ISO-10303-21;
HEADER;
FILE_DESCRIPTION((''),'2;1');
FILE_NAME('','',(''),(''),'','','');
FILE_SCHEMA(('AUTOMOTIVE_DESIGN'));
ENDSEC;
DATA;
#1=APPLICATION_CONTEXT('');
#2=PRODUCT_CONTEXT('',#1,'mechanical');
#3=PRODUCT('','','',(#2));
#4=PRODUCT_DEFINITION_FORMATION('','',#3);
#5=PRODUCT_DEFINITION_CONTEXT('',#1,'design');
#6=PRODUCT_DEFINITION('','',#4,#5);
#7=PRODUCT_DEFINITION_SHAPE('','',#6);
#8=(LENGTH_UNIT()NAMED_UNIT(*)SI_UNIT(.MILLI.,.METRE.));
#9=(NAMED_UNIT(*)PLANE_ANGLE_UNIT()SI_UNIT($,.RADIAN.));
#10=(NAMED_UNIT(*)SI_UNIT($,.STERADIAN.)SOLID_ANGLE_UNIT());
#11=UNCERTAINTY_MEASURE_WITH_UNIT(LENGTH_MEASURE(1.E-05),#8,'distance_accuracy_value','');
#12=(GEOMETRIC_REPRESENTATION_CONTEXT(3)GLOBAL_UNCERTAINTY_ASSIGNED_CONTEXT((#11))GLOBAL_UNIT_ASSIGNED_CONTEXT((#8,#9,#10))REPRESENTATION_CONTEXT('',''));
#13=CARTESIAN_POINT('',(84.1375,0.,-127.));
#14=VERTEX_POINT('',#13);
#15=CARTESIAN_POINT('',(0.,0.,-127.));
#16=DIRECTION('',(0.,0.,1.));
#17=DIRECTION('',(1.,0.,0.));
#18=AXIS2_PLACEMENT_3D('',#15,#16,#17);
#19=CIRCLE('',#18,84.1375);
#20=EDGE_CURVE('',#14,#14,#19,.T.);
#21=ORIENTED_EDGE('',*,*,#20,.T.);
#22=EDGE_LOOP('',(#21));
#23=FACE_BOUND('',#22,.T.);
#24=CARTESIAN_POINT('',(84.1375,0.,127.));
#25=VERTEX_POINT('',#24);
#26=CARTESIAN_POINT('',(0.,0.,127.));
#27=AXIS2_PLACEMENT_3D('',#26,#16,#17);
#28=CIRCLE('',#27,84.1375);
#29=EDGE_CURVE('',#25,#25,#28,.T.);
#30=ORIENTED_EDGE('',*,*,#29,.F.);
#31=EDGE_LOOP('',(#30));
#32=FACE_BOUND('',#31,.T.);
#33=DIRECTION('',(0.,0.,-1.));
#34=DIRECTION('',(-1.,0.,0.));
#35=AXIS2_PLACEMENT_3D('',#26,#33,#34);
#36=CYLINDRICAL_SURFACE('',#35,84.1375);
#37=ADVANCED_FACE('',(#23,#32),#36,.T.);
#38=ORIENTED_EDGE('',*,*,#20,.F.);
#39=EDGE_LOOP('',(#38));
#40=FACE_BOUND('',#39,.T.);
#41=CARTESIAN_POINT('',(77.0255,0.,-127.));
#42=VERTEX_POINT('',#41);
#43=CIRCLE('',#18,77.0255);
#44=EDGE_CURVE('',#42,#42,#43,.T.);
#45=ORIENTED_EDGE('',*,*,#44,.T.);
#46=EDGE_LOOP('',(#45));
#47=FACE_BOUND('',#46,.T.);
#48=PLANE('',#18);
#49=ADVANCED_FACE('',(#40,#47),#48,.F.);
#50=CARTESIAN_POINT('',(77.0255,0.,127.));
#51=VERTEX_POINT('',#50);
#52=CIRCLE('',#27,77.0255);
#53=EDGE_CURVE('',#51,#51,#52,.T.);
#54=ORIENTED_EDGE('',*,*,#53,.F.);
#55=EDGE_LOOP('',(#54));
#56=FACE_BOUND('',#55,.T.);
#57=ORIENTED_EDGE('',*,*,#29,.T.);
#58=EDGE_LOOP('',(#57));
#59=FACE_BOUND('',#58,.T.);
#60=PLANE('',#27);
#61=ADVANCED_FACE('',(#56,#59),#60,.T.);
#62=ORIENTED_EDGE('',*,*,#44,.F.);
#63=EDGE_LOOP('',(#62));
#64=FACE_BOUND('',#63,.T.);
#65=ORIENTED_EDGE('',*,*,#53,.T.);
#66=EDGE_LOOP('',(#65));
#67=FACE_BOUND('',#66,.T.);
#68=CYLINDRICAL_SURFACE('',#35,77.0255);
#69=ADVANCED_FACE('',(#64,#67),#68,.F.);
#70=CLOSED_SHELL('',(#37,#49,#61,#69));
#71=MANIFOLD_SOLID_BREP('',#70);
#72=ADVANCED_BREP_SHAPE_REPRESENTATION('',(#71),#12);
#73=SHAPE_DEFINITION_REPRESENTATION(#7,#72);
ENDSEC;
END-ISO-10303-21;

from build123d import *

# Parameters (mm, degrees)
SKETCH1_R      = 84.1375
SKETCH1_R_2    = 77.0255
BASEPIPE_DEPTH = 127


with BuildPart() as part:
    # Sketch1 → BasePipe (new, symmetric)
    with BuildSketch(Plane.XY):
        Circle(SKETCH1_R)
        Circle(SKETCH1_R_2, mode=Mode.SUBTRACT)
    extrude(amount=BASEPIPE_DEPTH, both=True)


solid = part.part
